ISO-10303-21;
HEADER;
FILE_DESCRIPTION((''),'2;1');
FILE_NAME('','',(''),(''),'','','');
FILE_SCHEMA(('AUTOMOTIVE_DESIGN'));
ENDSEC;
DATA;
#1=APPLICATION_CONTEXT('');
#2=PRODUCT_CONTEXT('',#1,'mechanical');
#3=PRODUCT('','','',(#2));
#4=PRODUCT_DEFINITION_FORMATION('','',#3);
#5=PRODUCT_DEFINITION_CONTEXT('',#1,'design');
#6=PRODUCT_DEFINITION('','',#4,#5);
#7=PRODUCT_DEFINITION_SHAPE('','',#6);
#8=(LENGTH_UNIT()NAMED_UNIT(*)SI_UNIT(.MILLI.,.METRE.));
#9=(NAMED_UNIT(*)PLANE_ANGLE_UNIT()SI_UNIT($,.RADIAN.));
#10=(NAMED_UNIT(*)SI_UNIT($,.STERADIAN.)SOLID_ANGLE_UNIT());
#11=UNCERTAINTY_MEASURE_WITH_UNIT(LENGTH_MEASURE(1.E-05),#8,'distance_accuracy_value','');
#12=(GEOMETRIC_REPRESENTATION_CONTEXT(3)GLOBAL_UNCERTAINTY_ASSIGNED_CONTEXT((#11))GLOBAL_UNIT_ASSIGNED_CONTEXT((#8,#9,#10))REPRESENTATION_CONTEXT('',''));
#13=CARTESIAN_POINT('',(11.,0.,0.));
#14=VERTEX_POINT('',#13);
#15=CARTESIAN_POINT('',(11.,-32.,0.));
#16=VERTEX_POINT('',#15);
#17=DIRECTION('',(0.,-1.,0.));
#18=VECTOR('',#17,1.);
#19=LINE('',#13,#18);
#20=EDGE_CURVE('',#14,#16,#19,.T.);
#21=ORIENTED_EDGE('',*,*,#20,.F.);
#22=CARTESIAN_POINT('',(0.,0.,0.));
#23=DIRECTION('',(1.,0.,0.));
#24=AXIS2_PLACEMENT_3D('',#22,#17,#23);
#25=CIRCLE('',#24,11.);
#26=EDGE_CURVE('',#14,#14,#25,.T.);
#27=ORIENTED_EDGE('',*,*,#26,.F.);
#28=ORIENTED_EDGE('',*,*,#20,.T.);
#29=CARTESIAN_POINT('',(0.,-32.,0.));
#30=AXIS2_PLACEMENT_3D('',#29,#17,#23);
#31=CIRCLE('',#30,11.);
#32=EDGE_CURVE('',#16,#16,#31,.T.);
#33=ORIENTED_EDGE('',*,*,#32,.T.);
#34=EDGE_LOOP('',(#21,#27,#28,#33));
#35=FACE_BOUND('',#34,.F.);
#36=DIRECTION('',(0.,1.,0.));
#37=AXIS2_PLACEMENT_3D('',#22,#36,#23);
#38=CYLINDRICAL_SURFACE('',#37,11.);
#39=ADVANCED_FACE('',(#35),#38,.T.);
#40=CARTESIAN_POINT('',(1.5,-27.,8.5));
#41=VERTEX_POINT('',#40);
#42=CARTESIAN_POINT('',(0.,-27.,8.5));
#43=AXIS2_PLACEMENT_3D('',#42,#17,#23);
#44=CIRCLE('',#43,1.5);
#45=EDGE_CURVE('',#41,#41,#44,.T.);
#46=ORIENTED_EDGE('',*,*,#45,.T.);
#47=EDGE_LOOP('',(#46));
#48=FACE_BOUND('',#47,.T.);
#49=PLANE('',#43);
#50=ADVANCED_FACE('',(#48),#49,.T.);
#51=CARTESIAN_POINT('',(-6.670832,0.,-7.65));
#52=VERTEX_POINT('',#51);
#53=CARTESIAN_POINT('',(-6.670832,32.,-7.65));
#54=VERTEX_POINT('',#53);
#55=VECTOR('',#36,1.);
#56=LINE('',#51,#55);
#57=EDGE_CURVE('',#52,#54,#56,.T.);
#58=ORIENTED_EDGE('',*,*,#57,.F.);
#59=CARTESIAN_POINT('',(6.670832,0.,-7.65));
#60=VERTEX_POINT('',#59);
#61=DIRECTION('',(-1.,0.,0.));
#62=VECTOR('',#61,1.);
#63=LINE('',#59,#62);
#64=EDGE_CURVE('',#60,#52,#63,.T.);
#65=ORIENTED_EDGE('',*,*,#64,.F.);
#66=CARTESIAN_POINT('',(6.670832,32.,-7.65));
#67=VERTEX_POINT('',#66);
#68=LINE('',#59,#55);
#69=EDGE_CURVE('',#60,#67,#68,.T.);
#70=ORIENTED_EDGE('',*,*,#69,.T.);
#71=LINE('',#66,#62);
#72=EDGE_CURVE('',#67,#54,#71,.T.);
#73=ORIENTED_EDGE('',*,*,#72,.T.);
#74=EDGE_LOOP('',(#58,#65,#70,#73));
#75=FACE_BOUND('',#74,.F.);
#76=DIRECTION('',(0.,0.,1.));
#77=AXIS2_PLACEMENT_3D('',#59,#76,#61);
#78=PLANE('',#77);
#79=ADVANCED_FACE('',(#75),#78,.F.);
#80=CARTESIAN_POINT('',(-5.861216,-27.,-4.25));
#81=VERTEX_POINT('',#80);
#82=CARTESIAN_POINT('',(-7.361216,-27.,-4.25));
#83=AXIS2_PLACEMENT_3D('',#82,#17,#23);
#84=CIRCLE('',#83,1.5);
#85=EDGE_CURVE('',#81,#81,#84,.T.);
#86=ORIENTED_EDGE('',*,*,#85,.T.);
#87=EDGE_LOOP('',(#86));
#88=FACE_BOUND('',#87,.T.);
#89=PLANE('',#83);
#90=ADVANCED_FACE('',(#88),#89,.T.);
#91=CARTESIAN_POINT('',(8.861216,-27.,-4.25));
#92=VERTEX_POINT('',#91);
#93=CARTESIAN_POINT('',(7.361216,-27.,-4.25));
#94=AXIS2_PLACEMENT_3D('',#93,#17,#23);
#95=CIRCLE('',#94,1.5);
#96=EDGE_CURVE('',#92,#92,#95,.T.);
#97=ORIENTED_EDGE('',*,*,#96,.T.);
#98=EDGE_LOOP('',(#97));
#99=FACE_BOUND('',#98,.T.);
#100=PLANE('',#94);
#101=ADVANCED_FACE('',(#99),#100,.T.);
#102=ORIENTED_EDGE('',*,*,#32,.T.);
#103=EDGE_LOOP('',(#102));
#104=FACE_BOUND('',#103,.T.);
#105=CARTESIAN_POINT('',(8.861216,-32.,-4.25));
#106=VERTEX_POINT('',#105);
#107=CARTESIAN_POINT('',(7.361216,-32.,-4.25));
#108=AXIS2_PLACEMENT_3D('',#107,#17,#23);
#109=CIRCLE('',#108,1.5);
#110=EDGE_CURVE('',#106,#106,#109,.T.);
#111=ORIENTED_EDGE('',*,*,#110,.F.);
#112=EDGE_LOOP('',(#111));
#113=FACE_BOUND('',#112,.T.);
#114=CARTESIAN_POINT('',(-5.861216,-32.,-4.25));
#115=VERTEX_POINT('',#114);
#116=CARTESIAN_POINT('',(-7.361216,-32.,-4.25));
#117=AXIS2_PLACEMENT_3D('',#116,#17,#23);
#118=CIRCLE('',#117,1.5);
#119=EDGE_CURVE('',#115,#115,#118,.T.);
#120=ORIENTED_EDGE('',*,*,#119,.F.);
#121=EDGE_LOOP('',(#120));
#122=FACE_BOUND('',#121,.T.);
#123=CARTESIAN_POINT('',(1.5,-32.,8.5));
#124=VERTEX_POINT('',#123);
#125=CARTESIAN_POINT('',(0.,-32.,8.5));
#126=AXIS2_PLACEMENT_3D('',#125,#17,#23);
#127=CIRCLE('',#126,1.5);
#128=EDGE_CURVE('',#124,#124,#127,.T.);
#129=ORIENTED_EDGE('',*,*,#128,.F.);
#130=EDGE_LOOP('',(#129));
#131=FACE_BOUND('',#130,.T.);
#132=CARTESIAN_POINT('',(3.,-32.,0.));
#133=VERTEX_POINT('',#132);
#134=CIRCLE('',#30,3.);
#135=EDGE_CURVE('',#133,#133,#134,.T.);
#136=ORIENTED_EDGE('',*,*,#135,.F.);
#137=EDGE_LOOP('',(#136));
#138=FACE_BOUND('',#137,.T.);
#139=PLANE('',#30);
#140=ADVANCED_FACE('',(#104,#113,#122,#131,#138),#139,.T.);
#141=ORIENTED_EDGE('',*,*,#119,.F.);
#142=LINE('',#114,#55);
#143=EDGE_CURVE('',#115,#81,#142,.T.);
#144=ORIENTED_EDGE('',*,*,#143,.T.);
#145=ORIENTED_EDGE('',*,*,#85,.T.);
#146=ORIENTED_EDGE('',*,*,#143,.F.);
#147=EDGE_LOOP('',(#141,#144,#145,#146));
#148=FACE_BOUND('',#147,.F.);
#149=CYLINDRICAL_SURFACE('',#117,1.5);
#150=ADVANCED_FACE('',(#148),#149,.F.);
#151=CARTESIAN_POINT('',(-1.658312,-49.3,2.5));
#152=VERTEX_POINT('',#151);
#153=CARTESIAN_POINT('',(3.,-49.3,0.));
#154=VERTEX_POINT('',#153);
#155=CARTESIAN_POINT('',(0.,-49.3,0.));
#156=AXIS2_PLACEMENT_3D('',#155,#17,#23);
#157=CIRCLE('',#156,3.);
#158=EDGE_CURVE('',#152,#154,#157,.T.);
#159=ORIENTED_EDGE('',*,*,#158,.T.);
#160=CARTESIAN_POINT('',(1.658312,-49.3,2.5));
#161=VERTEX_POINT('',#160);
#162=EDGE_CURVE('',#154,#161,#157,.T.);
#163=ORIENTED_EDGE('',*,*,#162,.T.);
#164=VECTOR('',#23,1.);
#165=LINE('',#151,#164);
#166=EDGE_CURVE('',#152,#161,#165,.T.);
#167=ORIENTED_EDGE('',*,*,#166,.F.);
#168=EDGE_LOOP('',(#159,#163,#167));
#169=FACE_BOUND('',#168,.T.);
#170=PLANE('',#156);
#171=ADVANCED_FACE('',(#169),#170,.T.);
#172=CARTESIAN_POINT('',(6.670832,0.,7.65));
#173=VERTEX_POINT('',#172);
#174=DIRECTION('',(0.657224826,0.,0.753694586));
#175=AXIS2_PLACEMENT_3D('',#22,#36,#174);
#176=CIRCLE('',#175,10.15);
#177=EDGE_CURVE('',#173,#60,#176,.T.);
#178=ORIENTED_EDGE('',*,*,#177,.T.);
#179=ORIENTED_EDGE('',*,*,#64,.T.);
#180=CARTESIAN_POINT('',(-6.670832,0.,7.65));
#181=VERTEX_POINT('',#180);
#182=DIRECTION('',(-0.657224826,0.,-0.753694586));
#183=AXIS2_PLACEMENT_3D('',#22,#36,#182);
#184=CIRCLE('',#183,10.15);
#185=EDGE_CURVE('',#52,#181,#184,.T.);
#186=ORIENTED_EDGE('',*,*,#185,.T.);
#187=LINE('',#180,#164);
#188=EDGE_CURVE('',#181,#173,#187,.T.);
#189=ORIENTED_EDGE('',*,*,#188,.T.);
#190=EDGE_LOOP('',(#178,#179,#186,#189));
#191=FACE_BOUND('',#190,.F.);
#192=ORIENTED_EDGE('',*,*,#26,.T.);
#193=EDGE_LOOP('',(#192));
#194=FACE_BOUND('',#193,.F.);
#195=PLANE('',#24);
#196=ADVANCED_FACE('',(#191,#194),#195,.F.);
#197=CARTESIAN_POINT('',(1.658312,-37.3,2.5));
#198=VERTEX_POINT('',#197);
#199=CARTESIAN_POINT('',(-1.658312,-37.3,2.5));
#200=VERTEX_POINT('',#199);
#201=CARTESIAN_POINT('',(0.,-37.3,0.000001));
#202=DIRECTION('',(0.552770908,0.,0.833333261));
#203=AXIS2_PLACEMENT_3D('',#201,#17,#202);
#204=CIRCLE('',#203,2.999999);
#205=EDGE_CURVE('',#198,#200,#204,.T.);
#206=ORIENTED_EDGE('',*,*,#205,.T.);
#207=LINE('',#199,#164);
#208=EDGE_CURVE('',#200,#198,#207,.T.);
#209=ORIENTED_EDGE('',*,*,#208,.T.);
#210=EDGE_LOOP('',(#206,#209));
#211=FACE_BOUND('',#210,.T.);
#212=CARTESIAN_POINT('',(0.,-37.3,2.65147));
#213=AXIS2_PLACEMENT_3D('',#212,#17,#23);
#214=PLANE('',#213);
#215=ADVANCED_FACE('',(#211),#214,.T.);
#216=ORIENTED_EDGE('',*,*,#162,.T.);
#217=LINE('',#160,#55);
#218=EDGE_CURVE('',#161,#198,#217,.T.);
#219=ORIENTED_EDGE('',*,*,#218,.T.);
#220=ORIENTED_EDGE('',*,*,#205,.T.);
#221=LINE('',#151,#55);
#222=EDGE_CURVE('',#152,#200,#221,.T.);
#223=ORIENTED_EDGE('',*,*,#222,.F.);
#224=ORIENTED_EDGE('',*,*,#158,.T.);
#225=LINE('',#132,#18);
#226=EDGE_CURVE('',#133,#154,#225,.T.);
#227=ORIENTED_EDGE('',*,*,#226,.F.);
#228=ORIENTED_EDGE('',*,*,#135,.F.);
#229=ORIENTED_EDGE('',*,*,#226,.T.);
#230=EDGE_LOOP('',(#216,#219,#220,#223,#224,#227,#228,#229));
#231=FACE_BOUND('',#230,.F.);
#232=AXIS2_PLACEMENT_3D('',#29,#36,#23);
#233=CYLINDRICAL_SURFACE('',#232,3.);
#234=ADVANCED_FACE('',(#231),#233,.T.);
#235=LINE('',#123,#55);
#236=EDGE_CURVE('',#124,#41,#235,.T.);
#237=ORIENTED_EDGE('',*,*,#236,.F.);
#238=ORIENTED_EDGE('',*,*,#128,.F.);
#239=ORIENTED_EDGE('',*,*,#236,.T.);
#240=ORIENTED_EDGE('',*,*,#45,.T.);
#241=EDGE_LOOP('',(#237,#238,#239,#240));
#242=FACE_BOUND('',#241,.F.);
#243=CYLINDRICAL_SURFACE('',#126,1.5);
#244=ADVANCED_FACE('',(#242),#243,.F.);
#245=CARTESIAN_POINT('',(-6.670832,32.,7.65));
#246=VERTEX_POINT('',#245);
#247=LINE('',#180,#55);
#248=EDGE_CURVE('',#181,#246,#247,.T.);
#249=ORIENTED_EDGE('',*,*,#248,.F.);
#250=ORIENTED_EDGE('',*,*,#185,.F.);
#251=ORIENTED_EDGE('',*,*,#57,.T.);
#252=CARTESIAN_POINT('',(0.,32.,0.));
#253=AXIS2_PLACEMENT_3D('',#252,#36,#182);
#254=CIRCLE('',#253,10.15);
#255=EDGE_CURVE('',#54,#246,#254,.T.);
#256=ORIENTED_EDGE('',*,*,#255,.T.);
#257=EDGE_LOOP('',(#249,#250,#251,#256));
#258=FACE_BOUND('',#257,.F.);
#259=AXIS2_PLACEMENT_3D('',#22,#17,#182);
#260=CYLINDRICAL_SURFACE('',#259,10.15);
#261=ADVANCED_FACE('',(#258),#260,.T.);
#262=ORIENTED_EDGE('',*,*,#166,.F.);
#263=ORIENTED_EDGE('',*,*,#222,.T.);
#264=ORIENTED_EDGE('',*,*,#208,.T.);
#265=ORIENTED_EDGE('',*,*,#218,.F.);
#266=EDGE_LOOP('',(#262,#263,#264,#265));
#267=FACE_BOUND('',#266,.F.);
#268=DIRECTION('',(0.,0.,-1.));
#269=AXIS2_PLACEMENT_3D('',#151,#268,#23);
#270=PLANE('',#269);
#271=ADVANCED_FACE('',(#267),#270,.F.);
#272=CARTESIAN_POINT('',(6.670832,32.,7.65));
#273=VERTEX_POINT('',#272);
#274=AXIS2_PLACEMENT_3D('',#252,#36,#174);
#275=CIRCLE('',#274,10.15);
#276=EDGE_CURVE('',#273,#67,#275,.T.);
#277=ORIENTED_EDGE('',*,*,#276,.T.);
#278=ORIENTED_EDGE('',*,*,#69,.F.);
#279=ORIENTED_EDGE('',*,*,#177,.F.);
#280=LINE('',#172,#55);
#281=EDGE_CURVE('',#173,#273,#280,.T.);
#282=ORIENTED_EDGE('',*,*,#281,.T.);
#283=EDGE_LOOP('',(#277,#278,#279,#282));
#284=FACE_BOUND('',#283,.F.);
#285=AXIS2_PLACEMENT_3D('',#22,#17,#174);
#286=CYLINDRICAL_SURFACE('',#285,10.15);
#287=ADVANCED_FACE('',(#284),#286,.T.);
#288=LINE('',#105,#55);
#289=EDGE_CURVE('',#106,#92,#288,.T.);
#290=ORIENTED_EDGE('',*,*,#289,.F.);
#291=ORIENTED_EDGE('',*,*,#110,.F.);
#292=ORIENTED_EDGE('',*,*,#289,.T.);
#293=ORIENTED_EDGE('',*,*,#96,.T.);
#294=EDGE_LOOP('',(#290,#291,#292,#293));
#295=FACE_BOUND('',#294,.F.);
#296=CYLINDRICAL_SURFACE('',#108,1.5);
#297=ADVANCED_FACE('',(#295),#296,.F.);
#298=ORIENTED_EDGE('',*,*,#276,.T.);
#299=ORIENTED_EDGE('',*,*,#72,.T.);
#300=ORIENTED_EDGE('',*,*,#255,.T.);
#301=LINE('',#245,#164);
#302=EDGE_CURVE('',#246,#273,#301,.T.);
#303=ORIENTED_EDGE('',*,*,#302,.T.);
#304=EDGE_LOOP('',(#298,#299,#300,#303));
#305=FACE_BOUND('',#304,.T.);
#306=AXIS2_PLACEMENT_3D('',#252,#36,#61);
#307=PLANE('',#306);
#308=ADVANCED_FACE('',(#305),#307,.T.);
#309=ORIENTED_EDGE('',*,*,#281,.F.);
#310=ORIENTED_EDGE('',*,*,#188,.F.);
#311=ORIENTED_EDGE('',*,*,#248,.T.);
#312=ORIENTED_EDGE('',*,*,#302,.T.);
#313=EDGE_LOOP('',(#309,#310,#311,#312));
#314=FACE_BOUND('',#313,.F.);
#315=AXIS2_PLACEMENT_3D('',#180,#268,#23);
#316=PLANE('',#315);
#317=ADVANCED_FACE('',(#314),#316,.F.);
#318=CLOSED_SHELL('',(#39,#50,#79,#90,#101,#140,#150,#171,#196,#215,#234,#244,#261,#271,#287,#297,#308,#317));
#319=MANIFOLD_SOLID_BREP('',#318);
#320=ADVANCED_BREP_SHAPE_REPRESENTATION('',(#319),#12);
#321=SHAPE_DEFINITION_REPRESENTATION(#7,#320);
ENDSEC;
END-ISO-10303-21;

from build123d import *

# Parameters (mm, degrees)
F0_R     = 11
F1_DEPTH = 32
F2_R     = 1.5
F3_DEPTH = 5
F5_DEPTH = 32
F6_R     = 3
F7_DEPTH = 17.3
F9_DEPTH = 12


with BuildPart() as f1:
    # F0 (on Front) → F1 (new body)
    with BuildSketch(Plane.XZ):
        Circle(F0_R)
    extrude(amount=F1_DEPTH)

    # F2 (on face) → F3 (cut)
    with BuildSketch(Plane.XZ.offset(32)):
        with Locations((0, 8.5)):
            Circle(F2_R)
        with Locations((-7.361216, -4.25)):
            Circle(F2_R)
        with Locations((7.361216, -4.25)):
            Circle(F2_R)
    extrude(amount=-F3_DEPTH, mode=Mode.SUBTRACT)

    # F4 (on face) → F5 (join)
    with BuildSketch(Plane(origin=(0, 0, 0), x_dir=(-1, 0, 0), z_dir=(0, 1, 0))):
        with BuildLine():
            Line((6.670832, 7.65), (-6.670832, 7.65))
            ThreePointArc((-6.670832, 7.65), (-10.15, 0), (-6.670832, -7.65))
            Line((-6.670832, -7.65), (6.670832, -7.65))
            ThreePointArc((6.670832, -7.65), (10.15, 0), (6.670832, 7.65))
        make_face()
    extrude(amount=F5_DEPTH)

    # F6 (on face) → F7 (join)
    with BuildSketch(Plane.XZ.offset(32)):
        Circle(F6_R)
    extrude(amount=F7_DEPTH)

    # F8 (on face) → F9 (cut)
    with BuildSketch(Plane.XZ.offset(49.3)):
        with BuildLine():
            ThreePointArc((1.658312, 2.5), (0, 3), (-1.658312, 2.5))
            Line((-1.658312, 2.5), (1.658312, 2.5))
        make_face()
    extrude(amount=-F9_DEPTH, mode=Mode.SUBTRACT)


solid = f1.part
